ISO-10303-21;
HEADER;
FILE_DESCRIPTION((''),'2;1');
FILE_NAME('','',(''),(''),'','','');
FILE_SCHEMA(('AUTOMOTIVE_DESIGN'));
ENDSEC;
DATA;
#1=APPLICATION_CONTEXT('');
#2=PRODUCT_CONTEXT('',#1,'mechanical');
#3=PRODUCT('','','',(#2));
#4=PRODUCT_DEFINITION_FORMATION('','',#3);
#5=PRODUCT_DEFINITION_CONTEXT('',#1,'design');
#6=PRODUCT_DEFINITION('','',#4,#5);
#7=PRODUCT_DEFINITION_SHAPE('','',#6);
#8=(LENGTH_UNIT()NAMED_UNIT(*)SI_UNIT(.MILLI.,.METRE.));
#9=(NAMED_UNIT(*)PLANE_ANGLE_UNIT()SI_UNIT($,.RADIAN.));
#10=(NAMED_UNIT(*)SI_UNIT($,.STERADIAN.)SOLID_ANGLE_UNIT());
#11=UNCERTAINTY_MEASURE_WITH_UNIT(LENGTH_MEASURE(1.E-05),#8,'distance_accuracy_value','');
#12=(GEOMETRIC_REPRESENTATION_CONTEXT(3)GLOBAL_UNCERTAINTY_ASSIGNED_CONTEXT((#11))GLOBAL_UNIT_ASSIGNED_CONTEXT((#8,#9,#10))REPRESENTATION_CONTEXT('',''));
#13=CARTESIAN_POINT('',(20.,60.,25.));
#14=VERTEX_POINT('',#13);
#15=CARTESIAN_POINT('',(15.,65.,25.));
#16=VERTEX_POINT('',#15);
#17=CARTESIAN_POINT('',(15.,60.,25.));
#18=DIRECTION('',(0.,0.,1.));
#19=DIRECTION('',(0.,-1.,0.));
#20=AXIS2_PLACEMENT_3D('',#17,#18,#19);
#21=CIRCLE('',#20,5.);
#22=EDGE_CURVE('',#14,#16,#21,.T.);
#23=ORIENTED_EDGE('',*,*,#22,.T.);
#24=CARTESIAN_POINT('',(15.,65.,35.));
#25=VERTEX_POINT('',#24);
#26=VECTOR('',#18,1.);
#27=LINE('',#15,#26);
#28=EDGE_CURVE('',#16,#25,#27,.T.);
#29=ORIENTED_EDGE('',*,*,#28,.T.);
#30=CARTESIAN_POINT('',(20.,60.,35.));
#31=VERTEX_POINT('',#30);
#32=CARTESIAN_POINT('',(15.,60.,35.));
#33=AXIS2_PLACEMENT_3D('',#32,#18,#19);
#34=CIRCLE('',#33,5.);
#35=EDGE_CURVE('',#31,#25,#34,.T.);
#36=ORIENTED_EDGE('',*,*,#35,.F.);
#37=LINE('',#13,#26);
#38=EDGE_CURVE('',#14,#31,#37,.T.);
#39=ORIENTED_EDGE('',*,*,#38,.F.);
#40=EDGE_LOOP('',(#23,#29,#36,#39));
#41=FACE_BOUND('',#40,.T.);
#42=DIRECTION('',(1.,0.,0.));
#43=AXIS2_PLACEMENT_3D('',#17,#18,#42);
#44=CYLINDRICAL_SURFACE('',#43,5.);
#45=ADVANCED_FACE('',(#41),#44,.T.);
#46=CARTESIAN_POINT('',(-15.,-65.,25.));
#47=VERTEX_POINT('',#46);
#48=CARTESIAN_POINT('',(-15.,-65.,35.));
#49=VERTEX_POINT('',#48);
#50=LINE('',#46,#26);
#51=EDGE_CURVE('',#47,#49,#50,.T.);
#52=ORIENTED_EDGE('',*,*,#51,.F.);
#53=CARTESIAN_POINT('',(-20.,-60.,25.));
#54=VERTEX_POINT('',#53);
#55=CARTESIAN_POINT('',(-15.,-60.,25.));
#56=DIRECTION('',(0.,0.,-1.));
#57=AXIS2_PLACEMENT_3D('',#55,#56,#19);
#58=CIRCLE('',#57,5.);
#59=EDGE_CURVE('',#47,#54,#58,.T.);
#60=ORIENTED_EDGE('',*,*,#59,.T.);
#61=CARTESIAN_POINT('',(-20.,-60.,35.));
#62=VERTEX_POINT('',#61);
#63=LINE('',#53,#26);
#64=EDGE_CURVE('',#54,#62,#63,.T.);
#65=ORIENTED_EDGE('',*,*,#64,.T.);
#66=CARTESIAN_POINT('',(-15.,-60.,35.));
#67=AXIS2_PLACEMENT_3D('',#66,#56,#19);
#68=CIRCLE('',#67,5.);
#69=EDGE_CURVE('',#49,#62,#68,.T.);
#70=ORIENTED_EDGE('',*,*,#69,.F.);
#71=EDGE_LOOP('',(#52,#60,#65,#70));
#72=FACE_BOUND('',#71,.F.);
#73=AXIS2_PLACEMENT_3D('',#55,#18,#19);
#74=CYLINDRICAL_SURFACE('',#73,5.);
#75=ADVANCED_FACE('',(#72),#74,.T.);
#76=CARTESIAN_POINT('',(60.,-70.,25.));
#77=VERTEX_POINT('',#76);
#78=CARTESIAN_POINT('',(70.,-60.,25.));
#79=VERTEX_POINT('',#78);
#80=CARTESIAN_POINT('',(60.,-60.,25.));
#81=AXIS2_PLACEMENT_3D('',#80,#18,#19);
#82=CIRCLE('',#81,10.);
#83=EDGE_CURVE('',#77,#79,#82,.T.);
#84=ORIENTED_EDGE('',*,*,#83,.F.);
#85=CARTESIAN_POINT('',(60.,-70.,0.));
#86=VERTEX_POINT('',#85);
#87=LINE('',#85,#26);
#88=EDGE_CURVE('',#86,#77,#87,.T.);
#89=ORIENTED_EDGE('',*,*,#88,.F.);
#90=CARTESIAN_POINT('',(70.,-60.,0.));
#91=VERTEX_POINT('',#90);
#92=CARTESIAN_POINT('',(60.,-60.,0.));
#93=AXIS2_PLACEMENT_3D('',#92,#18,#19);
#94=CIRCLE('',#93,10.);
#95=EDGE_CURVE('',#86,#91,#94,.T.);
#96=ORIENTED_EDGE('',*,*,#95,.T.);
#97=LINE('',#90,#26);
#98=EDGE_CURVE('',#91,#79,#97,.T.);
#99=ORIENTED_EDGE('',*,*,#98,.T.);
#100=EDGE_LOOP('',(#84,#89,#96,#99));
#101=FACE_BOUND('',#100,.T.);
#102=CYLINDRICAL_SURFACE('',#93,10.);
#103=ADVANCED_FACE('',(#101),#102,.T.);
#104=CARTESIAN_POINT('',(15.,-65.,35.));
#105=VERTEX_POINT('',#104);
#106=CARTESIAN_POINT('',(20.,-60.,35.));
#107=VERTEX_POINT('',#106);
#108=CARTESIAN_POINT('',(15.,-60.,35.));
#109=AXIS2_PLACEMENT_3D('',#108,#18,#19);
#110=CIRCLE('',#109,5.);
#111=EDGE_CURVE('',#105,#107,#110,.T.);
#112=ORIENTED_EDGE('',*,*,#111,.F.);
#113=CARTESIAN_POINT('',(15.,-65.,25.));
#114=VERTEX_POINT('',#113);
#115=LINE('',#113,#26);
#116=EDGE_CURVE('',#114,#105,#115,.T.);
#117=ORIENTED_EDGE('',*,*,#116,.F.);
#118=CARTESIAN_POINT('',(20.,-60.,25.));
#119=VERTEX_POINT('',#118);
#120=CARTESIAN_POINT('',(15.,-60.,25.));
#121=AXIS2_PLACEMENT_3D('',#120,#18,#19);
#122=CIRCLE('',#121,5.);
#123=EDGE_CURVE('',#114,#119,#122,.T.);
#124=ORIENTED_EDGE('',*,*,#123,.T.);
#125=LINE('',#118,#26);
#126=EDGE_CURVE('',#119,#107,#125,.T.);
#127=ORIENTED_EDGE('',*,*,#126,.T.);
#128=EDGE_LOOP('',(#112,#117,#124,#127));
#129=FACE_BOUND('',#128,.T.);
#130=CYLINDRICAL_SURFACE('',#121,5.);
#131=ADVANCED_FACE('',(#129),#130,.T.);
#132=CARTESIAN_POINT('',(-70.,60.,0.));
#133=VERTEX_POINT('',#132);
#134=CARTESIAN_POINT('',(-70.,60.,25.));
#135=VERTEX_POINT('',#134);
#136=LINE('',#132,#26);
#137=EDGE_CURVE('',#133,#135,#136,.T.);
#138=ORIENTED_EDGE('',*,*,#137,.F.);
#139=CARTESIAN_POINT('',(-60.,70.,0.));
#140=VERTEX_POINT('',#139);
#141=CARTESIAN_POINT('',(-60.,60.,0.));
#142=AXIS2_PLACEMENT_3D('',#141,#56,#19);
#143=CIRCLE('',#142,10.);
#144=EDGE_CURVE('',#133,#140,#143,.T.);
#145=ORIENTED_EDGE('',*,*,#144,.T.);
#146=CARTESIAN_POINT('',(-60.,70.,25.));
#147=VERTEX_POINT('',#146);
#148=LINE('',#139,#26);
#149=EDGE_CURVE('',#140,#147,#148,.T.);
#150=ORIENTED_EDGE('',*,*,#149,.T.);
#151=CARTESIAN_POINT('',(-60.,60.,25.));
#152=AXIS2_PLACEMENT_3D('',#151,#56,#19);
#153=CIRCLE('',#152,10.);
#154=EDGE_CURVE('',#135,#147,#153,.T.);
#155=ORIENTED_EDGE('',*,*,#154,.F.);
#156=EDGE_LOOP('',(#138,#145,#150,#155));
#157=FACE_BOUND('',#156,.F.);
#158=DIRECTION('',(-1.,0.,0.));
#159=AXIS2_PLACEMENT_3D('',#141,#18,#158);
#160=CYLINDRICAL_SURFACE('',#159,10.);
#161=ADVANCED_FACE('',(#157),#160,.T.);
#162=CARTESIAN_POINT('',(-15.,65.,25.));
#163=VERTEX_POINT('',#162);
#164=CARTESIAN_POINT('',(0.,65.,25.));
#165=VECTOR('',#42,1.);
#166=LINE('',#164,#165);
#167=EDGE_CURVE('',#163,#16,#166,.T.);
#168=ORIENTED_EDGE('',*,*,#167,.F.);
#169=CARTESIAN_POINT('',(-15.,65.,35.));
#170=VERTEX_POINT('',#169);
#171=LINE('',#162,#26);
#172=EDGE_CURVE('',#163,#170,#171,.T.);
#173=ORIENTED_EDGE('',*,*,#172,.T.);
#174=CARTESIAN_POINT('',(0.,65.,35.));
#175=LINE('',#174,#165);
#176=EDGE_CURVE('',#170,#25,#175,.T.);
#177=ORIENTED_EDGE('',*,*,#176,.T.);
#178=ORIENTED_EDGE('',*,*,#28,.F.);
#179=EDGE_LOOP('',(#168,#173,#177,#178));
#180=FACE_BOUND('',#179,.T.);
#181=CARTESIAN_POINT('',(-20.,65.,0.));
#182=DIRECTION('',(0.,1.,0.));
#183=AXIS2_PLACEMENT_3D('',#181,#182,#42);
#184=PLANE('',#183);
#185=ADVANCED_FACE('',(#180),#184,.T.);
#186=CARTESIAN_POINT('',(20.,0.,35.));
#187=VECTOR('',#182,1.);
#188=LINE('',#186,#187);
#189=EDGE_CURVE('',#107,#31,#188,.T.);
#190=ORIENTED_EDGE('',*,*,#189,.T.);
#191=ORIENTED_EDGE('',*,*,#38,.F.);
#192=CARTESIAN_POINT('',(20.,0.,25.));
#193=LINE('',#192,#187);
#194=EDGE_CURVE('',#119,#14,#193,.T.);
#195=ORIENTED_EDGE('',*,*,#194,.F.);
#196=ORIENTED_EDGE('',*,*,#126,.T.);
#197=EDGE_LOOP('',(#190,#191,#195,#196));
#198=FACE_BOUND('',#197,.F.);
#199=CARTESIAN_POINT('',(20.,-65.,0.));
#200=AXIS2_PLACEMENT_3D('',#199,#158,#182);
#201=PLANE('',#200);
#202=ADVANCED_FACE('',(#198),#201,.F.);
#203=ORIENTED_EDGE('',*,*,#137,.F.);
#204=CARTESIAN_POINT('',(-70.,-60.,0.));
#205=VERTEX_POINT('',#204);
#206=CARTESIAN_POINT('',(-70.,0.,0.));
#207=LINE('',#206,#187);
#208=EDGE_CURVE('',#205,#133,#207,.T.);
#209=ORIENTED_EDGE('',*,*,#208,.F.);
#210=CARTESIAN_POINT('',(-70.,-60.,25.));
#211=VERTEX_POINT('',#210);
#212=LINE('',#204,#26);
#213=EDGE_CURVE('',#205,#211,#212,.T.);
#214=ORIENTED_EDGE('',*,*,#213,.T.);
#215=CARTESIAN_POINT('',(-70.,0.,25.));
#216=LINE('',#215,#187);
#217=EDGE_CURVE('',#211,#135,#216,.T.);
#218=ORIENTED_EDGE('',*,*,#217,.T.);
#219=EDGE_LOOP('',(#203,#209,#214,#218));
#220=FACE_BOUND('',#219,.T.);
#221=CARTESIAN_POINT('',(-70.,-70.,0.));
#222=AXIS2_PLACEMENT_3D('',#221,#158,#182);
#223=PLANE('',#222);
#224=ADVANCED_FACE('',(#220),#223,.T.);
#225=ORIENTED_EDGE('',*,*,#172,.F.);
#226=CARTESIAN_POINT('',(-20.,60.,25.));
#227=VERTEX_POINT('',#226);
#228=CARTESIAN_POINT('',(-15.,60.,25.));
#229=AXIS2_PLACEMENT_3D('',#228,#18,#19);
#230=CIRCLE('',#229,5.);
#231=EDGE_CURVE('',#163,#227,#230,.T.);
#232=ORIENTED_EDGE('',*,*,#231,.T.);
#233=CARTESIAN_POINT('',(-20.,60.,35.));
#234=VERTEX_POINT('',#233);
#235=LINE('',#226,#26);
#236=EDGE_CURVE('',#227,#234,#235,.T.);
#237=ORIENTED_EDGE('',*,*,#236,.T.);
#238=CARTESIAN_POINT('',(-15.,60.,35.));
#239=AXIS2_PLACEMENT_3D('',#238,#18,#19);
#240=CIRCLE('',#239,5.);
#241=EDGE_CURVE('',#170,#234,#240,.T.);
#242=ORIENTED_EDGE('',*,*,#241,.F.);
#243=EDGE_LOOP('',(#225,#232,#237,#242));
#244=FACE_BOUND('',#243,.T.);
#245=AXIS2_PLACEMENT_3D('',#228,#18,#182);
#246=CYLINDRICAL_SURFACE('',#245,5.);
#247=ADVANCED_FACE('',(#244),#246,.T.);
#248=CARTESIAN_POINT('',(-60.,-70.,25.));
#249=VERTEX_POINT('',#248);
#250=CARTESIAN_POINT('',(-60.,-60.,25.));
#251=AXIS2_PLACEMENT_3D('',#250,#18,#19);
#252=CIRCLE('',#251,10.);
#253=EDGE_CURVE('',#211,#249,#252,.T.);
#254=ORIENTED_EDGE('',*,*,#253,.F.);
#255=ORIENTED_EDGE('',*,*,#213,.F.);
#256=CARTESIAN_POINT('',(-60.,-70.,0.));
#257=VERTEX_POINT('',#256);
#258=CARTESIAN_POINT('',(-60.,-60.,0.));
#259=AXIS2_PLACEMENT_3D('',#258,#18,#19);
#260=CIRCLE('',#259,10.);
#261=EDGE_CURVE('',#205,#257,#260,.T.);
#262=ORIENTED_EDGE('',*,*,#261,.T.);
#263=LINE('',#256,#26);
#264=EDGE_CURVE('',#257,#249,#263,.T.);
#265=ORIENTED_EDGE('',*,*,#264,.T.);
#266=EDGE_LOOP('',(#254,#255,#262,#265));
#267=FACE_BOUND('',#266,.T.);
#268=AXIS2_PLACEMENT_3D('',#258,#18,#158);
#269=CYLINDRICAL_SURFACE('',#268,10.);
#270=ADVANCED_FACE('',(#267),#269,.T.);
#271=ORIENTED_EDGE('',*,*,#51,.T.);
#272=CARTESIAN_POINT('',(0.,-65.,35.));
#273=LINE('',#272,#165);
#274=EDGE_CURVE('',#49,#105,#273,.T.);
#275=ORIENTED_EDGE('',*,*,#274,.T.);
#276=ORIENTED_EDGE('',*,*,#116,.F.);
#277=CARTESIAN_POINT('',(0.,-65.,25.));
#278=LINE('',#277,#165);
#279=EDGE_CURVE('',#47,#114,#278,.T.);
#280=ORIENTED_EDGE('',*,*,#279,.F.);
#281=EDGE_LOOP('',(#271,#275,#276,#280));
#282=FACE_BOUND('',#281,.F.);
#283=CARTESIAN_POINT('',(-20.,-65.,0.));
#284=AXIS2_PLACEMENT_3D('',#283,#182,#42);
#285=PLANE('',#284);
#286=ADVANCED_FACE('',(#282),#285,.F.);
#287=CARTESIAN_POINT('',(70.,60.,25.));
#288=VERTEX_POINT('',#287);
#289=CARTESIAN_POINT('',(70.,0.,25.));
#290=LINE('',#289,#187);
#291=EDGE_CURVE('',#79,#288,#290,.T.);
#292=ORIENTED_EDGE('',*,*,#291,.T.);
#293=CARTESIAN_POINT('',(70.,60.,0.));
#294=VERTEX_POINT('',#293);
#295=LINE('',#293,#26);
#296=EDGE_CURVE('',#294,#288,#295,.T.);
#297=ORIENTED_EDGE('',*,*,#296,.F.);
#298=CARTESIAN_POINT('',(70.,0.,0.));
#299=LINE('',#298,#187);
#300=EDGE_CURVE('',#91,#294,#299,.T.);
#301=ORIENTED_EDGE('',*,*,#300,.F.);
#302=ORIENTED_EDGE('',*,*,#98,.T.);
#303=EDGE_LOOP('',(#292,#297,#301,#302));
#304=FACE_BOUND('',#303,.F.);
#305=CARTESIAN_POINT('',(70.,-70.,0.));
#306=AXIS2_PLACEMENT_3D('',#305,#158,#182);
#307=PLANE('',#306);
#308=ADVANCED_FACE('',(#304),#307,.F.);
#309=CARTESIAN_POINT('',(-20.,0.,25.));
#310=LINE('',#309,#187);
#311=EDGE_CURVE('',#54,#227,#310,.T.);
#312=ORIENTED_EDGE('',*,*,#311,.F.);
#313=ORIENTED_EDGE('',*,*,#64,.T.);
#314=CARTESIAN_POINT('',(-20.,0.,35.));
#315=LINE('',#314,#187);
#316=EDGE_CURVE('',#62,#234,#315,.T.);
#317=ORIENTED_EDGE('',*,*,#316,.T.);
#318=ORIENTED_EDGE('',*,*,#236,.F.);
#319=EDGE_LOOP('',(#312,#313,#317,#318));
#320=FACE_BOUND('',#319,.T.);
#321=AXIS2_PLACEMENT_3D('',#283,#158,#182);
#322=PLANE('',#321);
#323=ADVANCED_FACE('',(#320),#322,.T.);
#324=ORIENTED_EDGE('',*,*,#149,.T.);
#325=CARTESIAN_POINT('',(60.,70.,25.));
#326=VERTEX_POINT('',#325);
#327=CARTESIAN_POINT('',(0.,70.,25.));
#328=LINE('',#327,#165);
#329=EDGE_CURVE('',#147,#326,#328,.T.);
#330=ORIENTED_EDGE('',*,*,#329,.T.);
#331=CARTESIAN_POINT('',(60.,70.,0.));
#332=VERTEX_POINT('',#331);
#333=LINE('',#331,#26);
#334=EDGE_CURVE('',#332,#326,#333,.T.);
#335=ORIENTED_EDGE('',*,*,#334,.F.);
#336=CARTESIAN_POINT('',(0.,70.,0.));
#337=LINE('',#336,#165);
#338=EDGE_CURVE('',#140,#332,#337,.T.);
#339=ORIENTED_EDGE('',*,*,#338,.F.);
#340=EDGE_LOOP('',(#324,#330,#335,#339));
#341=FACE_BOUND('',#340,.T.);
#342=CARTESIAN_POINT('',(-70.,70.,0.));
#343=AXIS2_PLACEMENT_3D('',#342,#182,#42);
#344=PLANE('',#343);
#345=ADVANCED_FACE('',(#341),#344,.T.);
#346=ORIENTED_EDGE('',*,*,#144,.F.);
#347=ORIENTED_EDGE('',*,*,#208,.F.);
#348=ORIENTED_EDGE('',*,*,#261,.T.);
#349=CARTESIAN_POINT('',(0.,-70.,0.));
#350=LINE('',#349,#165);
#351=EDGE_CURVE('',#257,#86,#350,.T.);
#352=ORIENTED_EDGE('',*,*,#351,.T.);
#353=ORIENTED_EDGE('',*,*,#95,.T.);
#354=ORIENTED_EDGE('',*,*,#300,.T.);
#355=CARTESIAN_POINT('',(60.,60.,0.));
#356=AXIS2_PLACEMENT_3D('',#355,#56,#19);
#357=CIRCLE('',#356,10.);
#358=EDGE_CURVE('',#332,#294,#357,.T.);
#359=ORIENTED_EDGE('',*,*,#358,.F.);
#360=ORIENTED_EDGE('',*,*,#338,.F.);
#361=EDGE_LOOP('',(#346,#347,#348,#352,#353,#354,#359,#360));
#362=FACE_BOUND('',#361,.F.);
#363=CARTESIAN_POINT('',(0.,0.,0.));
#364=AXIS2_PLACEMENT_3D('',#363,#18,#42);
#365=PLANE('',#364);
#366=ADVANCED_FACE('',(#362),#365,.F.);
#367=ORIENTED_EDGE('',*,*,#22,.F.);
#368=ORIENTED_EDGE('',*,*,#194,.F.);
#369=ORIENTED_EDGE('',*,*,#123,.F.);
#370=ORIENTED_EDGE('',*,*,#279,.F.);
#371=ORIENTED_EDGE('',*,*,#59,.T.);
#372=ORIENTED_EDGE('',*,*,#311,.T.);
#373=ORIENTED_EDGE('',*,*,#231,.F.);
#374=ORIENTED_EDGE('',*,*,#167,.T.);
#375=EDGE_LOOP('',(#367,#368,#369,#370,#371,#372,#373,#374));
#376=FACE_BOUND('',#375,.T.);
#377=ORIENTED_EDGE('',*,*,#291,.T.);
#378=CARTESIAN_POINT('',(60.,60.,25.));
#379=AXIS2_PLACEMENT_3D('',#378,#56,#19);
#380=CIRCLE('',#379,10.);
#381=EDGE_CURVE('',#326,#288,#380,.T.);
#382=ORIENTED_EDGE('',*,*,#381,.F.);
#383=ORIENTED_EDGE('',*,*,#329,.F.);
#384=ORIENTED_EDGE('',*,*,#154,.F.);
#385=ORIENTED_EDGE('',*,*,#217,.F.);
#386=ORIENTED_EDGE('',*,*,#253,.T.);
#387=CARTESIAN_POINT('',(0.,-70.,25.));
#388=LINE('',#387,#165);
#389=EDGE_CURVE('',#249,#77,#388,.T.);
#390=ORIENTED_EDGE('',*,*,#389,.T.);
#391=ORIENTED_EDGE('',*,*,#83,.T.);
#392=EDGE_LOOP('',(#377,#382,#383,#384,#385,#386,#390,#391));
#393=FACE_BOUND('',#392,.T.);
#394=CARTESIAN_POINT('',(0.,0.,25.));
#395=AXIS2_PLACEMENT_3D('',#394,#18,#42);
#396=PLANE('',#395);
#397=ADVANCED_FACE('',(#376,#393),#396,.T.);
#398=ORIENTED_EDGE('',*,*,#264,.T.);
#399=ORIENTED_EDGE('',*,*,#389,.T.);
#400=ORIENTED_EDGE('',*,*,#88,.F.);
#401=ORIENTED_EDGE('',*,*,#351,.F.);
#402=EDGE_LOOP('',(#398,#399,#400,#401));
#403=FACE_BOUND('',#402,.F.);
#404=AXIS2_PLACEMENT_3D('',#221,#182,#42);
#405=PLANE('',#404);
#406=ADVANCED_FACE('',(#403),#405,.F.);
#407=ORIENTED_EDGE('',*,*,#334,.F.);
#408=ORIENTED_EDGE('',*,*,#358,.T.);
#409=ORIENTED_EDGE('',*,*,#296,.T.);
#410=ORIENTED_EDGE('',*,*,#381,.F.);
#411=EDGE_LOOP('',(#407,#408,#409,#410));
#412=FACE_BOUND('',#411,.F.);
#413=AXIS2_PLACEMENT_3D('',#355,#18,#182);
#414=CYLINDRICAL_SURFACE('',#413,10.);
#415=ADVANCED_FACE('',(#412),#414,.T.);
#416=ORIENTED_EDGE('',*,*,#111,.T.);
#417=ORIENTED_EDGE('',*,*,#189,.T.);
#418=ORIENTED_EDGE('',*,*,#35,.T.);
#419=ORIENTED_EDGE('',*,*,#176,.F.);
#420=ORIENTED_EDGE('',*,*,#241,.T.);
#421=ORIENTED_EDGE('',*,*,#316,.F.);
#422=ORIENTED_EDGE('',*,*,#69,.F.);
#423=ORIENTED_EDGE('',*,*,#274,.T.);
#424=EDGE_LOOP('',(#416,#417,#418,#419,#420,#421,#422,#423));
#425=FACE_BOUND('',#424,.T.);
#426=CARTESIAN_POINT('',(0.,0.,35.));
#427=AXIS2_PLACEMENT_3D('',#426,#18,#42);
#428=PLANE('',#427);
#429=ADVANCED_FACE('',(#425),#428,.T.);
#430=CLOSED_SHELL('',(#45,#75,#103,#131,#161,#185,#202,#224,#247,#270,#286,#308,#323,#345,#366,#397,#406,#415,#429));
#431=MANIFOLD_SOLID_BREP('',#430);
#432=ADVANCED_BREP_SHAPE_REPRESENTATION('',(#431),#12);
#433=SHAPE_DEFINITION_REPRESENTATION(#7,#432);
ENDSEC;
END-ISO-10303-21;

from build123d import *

# Parameters (mm, degrees)
F0_W     = 140
F0_H     = 140
F0_W_2   = 40
F0_H_2   = 130
F1_DEPTH = 25
F2_DEPTH = 35
F3_R     = 10
F4_R     = 5


with BuildPart() as f1:
    # F0 (on Top) → F1 (new body)
    with BuildSketch(Plane.XY):
        Rectangle(F0_W, F0_H)
        Rectangle(F0_W_2, F0_H_2, mode=Mode.SUBTRACT)
    extrude(amount=F1_DEPTH)

    # F0 (on Top) → F2 (join)
    with BuildSketch(Plane.XY):
        Rectangle(F0_W_2, F0_H_2)
    extrude(amount=F2_DEPTH)

    # F3
    f3_edges = [f1.edges().sort_by_distance(p)[0] for p in [
        (-70, 70, 12.5),
        (70, 70, 12.5),
        (70, -70, 12.5),
        (-70, -70, 12.5),
    ]]
    fillet(f3_edges, radius=F3_R)

    # F4
    f4_edges = [f1.edges().sort_by_distance(p)[0] for p in [
        (-20, -65, 30),
        (20, -65, 30),
        (20, 65, 30),
        (-20, 65, 30),
    ]]
    fillet(f4_edges, radius=F4_R)


solid = f1.part
